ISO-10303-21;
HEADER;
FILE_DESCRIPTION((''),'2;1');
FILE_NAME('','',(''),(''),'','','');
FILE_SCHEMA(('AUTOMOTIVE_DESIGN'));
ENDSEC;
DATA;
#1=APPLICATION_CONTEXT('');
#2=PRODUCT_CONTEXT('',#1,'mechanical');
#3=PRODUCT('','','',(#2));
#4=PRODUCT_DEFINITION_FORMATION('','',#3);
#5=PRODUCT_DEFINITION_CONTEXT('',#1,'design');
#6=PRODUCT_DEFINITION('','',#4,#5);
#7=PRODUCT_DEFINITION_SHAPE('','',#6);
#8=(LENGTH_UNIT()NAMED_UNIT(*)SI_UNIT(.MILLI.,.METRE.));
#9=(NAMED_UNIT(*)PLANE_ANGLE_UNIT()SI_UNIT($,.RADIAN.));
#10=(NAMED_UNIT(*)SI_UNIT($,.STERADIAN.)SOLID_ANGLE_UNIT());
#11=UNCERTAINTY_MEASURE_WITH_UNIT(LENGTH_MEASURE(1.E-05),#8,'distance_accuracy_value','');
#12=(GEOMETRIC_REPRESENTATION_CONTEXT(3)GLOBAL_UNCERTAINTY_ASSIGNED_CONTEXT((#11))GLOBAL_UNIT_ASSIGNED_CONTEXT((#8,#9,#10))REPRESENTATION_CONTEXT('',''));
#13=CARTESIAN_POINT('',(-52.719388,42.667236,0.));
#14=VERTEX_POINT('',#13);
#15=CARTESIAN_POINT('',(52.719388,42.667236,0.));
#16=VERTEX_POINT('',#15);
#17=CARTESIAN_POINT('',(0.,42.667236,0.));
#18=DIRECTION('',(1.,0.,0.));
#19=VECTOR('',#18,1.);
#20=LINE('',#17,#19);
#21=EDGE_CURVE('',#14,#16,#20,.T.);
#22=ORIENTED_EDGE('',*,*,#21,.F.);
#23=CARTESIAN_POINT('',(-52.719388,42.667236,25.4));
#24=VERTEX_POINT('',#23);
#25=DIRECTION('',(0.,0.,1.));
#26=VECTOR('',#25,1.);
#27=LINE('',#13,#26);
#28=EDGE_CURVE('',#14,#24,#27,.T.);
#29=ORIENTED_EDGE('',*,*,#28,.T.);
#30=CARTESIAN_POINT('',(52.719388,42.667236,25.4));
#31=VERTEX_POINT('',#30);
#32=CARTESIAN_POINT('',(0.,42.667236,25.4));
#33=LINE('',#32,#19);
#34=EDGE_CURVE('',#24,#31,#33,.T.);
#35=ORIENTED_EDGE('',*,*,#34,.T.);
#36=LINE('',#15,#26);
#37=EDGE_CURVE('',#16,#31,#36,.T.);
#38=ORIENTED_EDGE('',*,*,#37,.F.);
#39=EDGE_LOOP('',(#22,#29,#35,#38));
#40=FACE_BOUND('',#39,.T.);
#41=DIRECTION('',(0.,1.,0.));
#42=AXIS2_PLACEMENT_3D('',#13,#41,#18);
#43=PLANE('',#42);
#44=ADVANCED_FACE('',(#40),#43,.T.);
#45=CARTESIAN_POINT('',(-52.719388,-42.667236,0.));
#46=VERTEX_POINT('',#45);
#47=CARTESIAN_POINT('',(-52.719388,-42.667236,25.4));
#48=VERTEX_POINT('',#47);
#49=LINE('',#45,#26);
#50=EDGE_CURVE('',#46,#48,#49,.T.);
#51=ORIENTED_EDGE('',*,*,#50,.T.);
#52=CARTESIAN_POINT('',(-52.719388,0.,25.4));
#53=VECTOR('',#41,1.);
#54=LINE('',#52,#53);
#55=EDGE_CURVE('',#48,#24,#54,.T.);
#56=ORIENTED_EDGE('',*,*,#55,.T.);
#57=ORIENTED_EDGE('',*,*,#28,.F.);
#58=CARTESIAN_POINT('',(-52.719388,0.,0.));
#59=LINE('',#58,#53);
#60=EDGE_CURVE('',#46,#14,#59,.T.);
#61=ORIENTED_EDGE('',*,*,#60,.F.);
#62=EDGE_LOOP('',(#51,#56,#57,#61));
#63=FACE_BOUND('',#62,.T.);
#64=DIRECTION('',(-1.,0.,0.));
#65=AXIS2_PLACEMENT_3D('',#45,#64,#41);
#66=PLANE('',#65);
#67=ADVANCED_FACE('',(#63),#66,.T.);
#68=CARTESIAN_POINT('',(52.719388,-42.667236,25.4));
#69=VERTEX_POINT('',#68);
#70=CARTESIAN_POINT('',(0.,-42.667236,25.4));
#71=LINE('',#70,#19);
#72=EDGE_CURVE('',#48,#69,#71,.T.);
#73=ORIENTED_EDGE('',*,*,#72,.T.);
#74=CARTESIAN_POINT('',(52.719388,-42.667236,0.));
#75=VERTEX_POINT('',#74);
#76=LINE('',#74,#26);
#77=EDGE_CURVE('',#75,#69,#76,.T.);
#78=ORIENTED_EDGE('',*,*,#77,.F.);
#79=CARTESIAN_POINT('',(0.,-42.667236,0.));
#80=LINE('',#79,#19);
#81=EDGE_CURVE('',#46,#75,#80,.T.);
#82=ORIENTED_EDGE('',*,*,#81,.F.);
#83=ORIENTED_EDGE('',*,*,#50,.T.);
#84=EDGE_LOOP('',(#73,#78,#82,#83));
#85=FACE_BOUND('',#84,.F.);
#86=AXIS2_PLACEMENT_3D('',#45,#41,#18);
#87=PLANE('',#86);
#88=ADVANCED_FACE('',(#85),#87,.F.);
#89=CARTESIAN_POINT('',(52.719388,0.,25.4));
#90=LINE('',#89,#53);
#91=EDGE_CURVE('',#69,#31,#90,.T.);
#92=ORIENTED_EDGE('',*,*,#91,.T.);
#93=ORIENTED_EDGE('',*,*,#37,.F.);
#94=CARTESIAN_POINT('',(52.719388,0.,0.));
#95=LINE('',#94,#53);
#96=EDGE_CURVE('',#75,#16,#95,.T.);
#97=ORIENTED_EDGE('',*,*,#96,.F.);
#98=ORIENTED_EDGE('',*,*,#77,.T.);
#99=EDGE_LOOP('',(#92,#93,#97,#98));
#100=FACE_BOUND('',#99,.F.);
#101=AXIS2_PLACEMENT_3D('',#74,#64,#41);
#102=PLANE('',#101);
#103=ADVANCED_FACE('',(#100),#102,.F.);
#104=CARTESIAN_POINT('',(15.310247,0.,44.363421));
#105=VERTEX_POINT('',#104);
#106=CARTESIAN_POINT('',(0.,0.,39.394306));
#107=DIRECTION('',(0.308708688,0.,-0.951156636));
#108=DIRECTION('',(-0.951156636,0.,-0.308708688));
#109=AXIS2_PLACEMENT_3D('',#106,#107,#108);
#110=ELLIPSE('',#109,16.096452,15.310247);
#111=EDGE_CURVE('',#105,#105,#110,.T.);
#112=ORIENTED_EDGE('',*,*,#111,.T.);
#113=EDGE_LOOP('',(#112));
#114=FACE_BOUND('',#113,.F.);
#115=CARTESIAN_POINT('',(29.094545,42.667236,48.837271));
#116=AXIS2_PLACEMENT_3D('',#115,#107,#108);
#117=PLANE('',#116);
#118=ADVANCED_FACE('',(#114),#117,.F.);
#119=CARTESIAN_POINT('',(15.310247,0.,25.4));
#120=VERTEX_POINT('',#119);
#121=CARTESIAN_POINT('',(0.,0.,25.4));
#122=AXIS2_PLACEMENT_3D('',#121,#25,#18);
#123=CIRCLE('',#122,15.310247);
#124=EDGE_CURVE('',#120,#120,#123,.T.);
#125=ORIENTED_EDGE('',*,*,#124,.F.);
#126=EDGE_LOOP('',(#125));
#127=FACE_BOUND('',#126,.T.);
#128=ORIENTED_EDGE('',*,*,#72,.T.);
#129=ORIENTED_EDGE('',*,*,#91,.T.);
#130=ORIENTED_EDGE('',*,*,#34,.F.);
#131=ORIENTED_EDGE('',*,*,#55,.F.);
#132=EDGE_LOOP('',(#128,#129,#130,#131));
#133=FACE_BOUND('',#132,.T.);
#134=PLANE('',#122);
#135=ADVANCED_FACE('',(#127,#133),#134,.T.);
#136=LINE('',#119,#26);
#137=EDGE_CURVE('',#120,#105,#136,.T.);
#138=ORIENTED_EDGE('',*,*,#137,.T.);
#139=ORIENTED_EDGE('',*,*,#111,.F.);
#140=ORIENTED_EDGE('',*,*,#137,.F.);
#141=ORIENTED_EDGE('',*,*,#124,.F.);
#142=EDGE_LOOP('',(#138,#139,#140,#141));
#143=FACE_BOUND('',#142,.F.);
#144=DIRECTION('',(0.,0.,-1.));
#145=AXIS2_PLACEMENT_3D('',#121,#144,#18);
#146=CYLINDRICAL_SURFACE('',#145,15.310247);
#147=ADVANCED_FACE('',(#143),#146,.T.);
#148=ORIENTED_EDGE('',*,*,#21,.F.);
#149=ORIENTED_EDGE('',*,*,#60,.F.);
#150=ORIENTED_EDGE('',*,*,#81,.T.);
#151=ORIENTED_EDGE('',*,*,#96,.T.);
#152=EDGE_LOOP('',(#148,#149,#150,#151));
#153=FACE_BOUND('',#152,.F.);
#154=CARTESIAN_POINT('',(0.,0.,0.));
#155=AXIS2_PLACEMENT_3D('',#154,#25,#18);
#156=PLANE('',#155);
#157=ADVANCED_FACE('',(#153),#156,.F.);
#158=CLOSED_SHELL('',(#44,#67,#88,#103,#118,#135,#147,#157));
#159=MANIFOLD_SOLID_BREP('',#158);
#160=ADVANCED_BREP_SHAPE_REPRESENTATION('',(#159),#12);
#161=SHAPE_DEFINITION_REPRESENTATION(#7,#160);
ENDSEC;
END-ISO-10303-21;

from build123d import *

# Parameters (mm, degrees)
F0_W     = 105.438776
F0_H     = 85.334472
F1_DEPTH = 25.4
F2_R     = 15.310247
F3_DEPTH = 25.4
F5_DEPTH = 87.376


with BuildPart() as f1:
    # F0 (on Top) → F1 (new body)
    with BuildSketch(Plane.XY):
        Rectangle(F0_W, F0_H)
    extrude(amount=F1_DEPTH)

    # F2 (on face) → F3 (join)
    with BuildSketch(Plane.XY.offset(25.4)):
        Circle(F2_R)
    extrude(amount=F3_DEPTH)

    # F4 (on face) → F5 (cut)
    with BuildSketch(Plane(origin=(0, 42.667236, 0), x_dir=(-1, 0, 0), z_dir=(0, 1, 0))):
        Polygon((-27.478183, 63.615456), (-29.094545, 48.837271), (23.552727, 31.750001), (32.437156, 59.123653), align=None)
    extrude(amount=-F5_DEPTH, mode=Mode.SUBTRACT)


solid = f1.part
